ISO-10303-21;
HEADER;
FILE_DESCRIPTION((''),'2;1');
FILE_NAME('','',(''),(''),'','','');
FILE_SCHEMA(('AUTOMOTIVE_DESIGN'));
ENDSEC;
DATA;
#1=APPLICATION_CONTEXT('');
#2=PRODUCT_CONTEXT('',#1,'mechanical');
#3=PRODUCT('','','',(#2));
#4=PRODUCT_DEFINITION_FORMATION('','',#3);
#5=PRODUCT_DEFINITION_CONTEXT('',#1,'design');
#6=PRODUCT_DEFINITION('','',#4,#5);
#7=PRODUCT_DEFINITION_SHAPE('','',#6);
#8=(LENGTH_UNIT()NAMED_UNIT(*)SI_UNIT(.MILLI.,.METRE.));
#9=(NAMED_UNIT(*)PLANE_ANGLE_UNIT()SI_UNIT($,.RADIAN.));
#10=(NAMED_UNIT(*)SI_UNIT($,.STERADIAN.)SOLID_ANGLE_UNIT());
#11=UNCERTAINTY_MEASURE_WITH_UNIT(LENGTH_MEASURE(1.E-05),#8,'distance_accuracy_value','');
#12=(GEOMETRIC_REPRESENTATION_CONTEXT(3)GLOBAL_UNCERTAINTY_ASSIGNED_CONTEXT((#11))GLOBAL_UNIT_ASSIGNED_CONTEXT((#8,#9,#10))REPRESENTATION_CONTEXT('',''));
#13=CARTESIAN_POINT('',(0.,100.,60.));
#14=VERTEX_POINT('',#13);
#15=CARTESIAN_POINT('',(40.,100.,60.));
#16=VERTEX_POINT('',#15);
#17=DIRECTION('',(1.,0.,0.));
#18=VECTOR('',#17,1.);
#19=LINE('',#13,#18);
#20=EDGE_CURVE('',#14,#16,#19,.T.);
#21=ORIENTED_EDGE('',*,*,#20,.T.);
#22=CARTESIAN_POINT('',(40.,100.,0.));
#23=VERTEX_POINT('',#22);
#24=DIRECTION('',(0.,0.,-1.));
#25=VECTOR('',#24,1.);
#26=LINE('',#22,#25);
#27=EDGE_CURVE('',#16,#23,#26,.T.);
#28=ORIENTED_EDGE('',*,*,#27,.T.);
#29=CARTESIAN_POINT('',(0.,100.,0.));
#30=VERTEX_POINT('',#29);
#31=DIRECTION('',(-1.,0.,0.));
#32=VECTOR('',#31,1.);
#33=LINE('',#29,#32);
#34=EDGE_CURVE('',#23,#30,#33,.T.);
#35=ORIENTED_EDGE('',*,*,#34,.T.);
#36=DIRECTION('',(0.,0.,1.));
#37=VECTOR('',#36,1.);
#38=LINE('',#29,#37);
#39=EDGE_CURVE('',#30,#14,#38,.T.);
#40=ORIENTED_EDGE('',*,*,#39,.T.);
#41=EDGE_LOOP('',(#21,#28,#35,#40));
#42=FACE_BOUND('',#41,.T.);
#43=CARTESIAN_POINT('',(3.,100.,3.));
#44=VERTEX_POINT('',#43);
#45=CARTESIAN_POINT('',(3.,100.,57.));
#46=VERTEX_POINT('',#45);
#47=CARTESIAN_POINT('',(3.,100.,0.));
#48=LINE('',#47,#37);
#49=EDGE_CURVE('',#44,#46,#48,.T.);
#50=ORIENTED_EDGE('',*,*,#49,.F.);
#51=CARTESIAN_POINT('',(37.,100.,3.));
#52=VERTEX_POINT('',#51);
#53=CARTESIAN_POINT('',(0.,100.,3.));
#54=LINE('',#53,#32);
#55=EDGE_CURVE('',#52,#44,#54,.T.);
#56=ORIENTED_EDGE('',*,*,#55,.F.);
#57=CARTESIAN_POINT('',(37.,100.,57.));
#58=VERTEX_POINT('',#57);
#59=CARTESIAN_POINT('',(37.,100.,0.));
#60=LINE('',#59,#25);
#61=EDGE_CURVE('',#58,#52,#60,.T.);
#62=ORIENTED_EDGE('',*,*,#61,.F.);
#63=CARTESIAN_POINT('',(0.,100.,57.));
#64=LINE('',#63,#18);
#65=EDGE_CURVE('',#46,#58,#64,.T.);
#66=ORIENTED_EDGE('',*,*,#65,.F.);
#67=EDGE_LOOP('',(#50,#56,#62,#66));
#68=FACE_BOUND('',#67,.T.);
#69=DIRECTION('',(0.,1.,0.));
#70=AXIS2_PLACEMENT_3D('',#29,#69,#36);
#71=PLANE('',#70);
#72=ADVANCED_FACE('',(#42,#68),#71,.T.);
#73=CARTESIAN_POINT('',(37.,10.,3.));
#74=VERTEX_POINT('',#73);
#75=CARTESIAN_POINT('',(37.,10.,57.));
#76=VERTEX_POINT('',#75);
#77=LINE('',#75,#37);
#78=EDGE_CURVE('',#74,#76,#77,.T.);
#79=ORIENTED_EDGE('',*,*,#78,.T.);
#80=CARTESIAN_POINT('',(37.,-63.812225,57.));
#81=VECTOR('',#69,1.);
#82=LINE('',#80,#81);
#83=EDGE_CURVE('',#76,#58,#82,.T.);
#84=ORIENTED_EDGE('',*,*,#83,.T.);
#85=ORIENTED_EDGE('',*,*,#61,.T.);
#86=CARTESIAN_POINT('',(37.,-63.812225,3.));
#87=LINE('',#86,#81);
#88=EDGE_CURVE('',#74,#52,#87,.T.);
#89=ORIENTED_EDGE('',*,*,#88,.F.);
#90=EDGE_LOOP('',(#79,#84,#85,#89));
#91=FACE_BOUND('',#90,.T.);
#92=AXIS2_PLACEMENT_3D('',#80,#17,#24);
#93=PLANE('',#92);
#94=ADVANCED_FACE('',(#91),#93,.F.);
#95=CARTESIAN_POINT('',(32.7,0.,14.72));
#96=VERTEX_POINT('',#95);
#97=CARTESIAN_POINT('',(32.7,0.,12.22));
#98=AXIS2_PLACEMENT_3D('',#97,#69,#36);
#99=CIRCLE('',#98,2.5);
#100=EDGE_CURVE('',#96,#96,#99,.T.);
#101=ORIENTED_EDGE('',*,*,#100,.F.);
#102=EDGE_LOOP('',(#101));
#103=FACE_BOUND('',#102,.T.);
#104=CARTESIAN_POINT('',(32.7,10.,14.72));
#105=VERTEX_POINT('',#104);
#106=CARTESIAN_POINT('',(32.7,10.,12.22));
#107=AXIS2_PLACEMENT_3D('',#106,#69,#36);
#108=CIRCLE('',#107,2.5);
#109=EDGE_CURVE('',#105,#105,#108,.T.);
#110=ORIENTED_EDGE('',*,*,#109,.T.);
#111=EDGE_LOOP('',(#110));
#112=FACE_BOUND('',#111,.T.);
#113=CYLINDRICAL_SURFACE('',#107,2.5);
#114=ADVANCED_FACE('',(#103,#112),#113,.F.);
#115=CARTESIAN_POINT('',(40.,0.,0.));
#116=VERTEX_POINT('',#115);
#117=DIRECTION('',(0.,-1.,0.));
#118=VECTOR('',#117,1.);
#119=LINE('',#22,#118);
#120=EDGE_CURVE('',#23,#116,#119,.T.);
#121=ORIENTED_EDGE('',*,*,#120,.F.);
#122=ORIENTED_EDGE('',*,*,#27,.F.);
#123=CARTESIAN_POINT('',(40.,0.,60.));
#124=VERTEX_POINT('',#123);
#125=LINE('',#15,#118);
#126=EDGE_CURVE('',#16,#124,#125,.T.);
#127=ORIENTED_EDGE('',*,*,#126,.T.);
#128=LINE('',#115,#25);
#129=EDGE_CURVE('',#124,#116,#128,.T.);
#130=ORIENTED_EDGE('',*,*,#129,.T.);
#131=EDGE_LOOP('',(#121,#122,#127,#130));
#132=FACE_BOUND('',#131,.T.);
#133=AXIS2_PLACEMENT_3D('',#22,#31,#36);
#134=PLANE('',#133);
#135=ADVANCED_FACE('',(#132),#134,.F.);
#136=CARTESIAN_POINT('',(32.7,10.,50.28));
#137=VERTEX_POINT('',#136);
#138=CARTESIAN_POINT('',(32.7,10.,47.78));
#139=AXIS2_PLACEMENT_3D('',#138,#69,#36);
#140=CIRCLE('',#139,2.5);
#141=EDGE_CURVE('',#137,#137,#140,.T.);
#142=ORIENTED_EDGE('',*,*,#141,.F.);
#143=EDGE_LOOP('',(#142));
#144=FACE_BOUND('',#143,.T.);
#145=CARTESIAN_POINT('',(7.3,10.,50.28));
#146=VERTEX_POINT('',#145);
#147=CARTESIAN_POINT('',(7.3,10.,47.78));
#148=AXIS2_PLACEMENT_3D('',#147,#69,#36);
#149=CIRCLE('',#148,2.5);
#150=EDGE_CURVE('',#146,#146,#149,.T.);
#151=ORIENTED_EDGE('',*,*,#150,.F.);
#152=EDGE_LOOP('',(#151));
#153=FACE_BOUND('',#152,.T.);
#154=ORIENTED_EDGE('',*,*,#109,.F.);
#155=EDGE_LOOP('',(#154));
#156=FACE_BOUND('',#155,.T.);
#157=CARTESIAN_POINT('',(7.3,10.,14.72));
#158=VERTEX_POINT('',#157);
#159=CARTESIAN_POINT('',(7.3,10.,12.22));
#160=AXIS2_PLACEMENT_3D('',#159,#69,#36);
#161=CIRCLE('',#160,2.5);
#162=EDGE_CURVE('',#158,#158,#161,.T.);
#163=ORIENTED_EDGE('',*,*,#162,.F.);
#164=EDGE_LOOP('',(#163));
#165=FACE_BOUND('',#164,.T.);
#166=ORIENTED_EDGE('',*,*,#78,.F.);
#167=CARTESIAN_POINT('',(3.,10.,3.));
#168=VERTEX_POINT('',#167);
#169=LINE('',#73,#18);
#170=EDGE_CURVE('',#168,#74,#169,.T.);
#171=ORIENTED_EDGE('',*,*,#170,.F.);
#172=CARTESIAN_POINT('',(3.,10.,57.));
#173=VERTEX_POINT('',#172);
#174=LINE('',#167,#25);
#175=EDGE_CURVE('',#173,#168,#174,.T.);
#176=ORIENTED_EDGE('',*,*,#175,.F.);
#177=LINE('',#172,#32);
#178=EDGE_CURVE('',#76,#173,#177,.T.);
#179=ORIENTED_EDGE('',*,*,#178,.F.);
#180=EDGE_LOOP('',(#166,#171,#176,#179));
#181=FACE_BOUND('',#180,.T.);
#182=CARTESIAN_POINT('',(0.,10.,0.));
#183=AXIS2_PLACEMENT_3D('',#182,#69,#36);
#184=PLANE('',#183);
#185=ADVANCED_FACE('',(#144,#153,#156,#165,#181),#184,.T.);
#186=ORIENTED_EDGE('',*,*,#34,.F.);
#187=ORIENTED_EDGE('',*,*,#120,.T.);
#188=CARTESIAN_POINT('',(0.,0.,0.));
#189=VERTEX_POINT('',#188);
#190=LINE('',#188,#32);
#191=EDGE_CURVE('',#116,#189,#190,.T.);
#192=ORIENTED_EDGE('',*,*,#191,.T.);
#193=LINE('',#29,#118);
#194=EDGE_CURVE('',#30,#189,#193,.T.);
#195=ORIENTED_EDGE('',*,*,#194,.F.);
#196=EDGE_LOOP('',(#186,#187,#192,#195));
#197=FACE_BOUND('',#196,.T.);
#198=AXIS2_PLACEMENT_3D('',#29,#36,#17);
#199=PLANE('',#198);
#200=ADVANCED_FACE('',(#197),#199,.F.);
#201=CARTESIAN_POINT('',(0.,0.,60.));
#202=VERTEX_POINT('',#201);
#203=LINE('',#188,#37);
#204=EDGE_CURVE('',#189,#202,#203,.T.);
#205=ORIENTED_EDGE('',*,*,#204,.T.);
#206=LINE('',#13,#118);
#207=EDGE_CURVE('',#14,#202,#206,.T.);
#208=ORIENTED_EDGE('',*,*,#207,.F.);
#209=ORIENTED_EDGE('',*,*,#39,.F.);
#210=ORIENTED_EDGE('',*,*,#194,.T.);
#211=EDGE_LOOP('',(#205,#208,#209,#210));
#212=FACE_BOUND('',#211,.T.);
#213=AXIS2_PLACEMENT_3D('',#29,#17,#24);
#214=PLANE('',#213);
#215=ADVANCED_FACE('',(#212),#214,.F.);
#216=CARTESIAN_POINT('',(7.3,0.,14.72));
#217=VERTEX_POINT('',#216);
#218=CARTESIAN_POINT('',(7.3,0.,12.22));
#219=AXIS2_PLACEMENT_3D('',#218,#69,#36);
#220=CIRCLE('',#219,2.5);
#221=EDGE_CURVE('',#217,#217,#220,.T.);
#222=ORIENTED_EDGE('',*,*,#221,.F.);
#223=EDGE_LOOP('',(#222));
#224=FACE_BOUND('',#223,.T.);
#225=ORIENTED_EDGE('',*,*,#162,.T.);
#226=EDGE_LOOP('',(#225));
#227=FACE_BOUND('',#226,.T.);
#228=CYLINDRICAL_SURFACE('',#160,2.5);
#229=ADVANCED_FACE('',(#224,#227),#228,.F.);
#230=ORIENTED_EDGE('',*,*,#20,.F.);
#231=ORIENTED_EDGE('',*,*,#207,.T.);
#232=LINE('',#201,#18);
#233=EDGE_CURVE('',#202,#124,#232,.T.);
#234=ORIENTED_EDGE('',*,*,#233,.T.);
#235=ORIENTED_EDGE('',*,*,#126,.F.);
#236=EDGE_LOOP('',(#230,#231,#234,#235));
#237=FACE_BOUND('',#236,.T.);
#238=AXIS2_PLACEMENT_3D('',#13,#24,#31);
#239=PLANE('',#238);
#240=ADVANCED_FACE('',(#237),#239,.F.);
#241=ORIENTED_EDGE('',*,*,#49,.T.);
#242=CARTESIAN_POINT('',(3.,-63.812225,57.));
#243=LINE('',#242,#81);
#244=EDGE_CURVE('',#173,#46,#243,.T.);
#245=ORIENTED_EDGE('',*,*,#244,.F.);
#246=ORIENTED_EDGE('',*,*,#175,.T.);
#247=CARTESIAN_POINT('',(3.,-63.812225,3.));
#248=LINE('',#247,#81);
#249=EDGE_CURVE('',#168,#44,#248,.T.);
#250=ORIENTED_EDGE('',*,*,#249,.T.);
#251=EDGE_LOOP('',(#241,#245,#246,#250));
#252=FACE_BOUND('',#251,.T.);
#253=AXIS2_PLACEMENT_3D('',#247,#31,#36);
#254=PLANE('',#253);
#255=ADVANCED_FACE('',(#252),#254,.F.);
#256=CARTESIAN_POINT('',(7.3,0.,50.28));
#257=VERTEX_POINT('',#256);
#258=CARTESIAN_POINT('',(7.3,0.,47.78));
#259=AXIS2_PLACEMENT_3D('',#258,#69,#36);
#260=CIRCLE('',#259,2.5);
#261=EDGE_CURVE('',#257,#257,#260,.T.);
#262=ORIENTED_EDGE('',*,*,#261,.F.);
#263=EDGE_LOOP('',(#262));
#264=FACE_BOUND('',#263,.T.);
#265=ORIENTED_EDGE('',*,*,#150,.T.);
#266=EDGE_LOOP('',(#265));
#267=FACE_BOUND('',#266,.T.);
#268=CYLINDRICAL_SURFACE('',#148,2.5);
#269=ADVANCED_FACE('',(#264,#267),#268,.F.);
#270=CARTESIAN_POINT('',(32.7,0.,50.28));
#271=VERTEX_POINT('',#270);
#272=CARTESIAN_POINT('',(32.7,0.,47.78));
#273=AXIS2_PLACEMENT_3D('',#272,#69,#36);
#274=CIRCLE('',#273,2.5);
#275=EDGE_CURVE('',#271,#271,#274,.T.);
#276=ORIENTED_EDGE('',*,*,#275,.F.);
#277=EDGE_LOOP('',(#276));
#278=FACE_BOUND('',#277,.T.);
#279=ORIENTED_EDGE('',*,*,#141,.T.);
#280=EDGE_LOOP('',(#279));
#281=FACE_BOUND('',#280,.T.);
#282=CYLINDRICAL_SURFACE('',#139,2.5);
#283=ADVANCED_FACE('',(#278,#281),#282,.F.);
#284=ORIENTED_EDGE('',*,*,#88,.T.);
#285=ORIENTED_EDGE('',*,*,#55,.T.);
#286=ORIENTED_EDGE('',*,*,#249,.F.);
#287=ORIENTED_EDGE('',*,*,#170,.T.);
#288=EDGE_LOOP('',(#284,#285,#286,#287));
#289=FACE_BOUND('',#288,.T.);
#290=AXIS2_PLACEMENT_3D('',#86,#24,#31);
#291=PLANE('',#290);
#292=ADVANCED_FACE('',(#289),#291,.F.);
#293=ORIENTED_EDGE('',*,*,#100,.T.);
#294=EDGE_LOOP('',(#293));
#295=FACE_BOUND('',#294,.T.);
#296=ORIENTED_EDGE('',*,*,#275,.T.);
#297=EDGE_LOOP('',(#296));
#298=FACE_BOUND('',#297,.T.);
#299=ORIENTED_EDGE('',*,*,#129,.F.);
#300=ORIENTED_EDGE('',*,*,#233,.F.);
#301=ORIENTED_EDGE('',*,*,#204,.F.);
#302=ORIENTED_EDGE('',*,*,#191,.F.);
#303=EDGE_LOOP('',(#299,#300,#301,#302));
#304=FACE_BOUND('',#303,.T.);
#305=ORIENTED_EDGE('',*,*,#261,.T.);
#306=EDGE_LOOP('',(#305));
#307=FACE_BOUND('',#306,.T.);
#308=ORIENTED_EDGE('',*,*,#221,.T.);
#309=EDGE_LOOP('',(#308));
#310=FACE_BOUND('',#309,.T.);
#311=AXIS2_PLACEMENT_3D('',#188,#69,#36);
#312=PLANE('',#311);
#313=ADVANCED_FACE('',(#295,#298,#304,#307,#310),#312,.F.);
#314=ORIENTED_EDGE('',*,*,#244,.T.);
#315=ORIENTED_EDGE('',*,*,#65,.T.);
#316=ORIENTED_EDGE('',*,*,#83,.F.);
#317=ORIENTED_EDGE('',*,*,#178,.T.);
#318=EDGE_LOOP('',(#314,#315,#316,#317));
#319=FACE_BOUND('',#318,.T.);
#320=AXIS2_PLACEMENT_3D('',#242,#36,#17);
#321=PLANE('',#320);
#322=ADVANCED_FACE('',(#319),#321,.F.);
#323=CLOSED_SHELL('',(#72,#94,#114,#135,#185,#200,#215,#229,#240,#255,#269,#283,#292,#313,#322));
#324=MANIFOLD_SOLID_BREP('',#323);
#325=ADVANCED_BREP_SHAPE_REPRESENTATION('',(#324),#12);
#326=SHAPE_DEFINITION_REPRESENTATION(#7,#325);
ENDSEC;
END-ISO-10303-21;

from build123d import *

# Parameters (mm, degrees)
SKETCH1_W               = 40
SKETCH1_H               = 60
BOSS_EXTRUDE1_DEPTH     = 100
CUT_EXTRUDE1_DEPTH      = 124.288280059
CUT_EXTRUDE1_DEPTH_BACK = 90
SKETCH2_W               = 34
SKETCH2_H               = 54
F_5_0_MM_DOWEL_HOLES1_D = 5


with BuildPart() as part:
    # Sketch1 → Boss-Extrude1 (new body)
    with BuildSketch(Plane(origin=(0, 0, 0), x_dir=(1, 0, 0), z_dir=(0, 1, 0))):
        with Locations((20, -30)):
            Rectangle(SKETCH1_W, SKETCH1_H)
    extrude(amount=BOSS_EXTRUDE1_DEPTH)

    # Sketch2 → Cut-Extrude1 (cut, two sides: drawn at the far end of the back side and taken through both)
    with BuildSketch(Plane(origin=(0, 100, 0), x_dir=(1, 0, 0), z_dir=(0, 1, 0)).offset(-CUT_EXTRUDE1_DEPTH_BACK)):
        with Locations((20, -30)):
            Rectangle(SKETCH2_W, SKETCH2_H)
    extrude(amount=CUT_EXTRUDE1_DEPTH + CUT_EXTRUDE1_DEPTH_BACK, mode=Mode.SUBTRACT)

    # Ø5.0 mm Dowel Holes1 (through all)
    with Locations(Plane(origin=(0, 10, 0), x_dir=(1, 0, 0), z_dir=(0, 1, 0))):
        with Locations((32.7, -12.22), (7.3, -12.22), (7.3, -47.78), (32.7, -47.78)):
            Hole(F_5_0_MM_DOWEL_HOLES1_D / 2)


solid = part.part
